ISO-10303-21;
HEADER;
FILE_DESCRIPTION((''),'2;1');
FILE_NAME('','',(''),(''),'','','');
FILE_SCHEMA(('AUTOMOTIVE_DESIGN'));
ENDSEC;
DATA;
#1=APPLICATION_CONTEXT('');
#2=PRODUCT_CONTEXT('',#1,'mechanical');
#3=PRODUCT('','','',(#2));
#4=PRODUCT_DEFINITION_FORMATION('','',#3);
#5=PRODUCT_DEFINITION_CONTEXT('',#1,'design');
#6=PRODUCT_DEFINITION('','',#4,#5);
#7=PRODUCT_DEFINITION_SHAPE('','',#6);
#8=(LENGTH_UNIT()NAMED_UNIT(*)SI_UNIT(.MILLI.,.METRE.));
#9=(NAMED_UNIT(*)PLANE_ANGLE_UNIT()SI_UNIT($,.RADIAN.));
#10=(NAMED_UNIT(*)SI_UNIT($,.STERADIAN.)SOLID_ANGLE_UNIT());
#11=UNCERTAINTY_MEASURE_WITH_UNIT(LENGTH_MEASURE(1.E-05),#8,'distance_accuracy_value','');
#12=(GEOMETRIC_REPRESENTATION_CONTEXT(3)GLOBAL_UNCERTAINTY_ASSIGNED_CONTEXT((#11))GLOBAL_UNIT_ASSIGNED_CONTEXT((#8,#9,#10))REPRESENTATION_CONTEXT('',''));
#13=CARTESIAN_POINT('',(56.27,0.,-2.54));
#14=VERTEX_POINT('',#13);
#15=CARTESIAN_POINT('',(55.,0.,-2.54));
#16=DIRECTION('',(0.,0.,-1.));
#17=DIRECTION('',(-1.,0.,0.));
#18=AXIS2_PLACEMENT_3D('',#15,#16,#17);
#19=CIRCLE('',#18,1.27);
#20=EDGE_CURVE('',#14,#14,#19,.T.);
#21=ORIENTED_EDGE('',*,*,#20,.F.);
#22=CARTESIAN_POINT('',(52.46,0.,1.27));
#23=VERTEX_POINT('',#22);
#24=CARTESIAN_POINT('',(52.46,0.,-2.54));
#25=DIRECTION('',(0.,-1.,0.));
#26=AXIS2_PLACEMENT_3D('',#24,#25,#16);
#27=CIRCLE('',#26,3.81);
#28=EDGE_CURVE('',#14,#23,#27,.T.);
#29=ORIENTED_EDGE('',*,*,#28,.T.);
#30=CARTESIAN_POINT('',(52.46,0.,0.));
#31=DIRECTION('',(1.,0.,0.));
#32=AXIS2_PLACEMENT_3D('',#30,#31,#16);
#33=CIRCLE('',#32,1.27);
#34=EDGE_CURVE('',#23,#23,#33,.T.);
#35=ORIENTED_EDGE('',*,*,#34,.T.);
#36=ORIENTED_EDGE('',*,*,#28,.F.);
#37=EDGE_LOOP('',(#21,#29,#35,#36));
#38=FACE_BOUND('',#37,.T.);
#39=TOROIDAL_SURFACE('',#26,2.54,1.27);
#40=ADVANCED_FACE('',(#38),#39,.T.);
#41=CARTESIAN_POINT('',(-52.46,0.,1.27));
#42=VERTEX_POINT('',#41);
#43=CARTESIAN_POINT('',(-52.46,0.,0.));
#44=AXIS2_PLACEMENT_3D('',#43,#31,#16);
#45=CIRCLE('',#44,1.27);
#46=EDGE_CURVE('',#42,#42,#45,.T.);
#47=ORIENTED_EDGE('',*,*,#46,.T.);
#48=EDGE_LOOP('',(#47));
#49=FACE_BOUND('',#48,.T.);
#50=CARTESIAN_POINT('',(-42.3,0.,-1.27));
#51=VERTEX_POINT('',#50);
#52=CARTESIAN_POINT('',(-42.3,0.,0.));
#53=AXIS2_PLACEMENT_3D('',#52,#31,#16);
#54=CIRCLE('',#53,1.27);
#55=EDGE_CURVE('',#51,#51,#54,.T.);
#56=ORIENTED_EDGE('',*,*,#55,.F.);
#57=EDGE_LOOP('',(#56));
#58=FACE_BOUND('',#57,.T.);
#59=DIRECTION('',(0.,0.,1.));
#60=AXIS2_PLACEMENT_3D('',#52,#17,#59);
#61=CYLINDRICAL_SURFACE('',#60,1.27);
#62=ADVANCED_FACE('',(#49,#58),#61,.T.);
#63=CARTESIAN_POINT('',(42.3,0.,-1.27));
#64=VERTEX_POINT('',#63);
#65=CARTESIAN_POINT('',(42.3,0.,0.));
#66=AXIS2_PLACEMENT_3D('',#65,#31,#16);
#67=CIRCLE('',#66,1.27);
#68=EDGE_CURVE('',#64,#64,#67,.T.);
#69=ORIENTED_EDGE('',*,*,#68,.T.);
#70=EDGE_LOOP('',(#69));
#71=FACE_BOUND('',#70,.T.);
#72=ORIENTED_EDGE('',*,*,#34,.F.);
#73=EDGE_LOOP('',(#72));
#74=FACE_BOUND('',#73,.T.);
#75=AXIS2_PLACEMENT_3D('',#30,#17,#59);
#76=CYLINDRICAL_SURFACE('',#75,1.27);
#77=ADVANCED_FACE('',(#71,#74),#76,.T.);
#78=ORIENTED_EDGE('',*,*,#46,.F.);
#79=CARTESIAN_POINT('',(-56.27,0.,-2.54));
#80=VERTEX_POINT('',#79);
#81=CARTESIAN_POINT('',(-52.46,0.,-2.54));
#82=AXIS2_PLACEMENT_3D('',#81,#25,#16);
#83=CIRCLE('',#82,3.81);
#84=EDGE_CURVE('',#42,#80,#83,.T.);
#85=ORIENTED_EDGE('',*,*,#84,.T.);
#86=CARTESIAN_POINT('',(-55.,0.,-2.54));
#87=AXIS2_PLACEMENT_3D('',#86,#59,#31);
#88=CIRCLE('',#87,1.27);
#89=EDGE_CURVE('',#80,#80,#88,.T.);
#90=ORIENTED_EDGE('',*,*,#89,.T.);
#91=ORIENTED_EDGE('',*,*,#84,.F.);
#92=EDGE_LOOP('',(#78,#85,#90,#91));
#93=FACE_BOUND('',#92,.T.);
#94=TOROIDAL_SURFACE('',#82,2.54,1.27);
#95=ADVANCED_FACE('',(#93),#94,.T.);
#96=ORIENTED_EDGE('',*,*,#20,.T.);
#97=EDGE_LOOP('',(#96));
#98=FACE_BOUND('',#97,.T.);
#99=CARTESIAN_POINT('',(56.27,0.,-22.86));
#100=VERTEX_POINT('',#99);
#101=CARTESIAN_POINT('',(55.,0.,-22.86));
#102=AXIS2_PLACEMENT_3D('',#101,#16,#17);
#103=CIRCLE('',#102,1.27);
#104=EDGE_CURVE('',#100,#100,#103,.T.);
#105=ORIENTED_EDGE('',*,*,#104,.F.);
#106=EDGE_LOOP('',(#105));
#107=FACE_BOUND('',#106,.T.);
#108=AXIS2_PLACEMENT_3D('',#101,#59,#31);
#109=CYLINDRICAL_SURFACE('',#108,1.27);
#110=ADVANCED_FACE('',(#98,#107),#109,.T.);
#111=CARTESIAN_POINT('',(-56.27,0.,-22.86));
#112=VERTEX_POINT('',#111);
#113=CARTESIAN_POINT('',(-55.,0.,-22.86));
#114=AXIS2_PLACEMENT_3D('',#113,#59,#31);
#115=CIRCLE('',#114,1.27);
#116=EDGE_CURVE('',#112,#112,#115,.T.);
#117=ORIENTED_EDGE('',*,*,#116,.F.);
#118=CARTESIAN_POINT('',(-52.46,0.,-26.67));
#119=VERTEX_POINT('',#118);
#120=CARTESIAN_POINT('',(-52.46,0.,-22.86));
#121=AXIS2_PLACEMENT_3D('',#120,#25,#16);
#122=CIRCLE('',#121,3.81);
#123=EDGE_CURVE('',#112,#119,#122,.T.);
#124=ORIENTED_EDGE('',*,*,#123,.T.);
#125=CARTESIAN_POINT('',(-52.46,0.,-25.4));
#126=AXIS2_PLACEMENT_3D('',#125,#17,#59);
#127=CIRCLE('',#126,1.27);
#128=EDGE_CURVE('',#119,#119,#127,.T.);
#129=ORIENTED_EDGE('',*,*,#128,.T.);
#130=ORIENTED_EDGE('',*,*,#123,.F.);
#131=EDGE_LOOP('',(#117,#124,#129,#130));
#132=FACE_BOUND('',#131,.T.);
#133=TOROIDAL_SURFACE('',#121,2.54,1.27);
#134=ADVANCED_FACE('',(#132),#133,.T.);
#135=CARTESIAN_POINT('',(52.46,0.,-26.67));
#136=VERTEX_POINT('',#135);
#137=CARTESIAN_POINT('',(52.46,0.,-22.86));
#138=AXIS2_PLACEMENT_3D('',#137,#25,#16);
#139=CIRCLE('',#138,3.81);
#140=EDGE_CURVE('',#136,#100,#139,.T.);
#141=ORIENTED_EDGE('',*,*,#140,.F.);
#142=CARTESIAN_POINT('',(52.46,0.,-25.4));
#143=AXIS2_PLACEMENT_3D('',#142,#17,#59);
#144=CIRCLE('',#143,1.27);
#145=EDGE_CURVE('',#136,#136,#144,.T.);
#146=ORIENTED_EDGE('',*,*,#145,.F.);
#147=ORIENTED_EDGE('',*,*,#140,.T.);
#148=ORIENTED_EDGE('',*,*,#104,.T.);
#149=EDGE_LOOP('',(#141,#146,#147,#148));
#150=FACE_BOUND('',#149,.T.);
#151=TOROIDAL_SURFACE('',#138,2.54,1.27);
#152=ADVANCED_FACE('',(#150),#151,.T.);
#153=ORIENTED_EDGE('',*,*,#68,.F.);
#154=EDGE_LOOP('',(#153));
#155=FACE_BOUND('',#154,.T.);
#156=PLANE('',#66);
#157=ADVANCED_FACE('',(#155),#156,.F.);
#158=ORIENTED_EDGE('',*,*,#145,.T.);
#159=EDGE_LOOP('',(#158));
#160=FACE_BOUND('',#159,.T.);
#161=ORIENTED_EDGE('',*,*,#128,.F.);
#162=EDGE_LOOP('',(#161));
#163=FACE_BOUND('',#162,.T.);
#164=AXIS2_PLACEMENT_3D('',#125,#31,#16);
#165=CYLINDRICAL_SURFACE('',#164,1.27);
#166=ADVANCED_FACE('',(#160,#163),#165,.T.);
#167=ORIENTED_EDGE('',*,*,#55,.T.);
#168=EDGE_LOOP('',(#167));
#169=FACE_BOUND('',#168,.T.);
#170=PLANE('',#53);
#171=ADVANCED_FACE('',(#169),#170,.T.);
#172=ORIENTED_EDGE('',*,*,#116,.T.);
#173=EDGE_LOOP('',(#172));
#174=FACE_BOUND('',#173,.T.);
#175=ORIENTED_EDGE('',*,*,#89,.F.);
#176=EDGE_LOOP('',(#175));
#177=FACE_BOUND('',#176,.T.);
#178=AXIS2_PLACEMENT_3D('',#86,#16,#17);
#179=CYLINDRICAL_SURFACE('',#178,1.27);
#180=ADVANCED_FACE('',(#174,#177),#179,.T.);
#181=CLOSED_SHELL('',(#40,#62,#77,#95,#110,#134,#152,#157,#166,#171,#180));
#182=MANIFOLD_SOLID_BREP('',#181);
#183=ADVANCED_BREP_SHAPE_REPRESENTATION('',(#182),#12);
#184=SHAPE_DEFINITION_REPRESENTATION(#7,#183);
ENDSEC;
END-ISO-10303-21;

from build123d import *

# Parameters (mm, degrees)
SKETCH4_R = 1.27


with BuildPart() as part:
    # Sweep3: sweep along a path in Sketch2
    with BuildLine(Plane(origin=(0, 0, 0), x_dir=(1, 0, 0), z_dir=(0, 1, 0))) as sweep3_path:
        Line((-42.3, 0), (-52.46, 0))
        ThreePointArc((-52.46, 0), (-54.256051224, 0.743948776), (-55, 2.54))
        Line((-55, 2.54), (-55, 22.86))
        ThreePointArc((-55, 22.86), (-54.256051224, 24.656051224), (-52.46, 25.4))
        Line((-52.46, 25.4), (52.46, 25.4))
        ThreePointArc((52.46, 25.4), (54.256051224, 24.656051224), (55, 22.86))
        Line((55, 22.86), (55, 2.54))
        ThreePointArc((55, 2.54), (54.256051224, 0.743948776), (52.46, 0))
        Line((52.46, 0), (42.3, 0))
    # Sketch4 → Sweep3 (sweep)
    with BuildSketch(Plane(origin=(-42.3, 0, 0), x_dir=(0, 0, -1), z_dir=(1, 0, 0))):
        Circle(SKETCH4_R)
    sweep(path=sweep3_path.line)


solid = part.part
